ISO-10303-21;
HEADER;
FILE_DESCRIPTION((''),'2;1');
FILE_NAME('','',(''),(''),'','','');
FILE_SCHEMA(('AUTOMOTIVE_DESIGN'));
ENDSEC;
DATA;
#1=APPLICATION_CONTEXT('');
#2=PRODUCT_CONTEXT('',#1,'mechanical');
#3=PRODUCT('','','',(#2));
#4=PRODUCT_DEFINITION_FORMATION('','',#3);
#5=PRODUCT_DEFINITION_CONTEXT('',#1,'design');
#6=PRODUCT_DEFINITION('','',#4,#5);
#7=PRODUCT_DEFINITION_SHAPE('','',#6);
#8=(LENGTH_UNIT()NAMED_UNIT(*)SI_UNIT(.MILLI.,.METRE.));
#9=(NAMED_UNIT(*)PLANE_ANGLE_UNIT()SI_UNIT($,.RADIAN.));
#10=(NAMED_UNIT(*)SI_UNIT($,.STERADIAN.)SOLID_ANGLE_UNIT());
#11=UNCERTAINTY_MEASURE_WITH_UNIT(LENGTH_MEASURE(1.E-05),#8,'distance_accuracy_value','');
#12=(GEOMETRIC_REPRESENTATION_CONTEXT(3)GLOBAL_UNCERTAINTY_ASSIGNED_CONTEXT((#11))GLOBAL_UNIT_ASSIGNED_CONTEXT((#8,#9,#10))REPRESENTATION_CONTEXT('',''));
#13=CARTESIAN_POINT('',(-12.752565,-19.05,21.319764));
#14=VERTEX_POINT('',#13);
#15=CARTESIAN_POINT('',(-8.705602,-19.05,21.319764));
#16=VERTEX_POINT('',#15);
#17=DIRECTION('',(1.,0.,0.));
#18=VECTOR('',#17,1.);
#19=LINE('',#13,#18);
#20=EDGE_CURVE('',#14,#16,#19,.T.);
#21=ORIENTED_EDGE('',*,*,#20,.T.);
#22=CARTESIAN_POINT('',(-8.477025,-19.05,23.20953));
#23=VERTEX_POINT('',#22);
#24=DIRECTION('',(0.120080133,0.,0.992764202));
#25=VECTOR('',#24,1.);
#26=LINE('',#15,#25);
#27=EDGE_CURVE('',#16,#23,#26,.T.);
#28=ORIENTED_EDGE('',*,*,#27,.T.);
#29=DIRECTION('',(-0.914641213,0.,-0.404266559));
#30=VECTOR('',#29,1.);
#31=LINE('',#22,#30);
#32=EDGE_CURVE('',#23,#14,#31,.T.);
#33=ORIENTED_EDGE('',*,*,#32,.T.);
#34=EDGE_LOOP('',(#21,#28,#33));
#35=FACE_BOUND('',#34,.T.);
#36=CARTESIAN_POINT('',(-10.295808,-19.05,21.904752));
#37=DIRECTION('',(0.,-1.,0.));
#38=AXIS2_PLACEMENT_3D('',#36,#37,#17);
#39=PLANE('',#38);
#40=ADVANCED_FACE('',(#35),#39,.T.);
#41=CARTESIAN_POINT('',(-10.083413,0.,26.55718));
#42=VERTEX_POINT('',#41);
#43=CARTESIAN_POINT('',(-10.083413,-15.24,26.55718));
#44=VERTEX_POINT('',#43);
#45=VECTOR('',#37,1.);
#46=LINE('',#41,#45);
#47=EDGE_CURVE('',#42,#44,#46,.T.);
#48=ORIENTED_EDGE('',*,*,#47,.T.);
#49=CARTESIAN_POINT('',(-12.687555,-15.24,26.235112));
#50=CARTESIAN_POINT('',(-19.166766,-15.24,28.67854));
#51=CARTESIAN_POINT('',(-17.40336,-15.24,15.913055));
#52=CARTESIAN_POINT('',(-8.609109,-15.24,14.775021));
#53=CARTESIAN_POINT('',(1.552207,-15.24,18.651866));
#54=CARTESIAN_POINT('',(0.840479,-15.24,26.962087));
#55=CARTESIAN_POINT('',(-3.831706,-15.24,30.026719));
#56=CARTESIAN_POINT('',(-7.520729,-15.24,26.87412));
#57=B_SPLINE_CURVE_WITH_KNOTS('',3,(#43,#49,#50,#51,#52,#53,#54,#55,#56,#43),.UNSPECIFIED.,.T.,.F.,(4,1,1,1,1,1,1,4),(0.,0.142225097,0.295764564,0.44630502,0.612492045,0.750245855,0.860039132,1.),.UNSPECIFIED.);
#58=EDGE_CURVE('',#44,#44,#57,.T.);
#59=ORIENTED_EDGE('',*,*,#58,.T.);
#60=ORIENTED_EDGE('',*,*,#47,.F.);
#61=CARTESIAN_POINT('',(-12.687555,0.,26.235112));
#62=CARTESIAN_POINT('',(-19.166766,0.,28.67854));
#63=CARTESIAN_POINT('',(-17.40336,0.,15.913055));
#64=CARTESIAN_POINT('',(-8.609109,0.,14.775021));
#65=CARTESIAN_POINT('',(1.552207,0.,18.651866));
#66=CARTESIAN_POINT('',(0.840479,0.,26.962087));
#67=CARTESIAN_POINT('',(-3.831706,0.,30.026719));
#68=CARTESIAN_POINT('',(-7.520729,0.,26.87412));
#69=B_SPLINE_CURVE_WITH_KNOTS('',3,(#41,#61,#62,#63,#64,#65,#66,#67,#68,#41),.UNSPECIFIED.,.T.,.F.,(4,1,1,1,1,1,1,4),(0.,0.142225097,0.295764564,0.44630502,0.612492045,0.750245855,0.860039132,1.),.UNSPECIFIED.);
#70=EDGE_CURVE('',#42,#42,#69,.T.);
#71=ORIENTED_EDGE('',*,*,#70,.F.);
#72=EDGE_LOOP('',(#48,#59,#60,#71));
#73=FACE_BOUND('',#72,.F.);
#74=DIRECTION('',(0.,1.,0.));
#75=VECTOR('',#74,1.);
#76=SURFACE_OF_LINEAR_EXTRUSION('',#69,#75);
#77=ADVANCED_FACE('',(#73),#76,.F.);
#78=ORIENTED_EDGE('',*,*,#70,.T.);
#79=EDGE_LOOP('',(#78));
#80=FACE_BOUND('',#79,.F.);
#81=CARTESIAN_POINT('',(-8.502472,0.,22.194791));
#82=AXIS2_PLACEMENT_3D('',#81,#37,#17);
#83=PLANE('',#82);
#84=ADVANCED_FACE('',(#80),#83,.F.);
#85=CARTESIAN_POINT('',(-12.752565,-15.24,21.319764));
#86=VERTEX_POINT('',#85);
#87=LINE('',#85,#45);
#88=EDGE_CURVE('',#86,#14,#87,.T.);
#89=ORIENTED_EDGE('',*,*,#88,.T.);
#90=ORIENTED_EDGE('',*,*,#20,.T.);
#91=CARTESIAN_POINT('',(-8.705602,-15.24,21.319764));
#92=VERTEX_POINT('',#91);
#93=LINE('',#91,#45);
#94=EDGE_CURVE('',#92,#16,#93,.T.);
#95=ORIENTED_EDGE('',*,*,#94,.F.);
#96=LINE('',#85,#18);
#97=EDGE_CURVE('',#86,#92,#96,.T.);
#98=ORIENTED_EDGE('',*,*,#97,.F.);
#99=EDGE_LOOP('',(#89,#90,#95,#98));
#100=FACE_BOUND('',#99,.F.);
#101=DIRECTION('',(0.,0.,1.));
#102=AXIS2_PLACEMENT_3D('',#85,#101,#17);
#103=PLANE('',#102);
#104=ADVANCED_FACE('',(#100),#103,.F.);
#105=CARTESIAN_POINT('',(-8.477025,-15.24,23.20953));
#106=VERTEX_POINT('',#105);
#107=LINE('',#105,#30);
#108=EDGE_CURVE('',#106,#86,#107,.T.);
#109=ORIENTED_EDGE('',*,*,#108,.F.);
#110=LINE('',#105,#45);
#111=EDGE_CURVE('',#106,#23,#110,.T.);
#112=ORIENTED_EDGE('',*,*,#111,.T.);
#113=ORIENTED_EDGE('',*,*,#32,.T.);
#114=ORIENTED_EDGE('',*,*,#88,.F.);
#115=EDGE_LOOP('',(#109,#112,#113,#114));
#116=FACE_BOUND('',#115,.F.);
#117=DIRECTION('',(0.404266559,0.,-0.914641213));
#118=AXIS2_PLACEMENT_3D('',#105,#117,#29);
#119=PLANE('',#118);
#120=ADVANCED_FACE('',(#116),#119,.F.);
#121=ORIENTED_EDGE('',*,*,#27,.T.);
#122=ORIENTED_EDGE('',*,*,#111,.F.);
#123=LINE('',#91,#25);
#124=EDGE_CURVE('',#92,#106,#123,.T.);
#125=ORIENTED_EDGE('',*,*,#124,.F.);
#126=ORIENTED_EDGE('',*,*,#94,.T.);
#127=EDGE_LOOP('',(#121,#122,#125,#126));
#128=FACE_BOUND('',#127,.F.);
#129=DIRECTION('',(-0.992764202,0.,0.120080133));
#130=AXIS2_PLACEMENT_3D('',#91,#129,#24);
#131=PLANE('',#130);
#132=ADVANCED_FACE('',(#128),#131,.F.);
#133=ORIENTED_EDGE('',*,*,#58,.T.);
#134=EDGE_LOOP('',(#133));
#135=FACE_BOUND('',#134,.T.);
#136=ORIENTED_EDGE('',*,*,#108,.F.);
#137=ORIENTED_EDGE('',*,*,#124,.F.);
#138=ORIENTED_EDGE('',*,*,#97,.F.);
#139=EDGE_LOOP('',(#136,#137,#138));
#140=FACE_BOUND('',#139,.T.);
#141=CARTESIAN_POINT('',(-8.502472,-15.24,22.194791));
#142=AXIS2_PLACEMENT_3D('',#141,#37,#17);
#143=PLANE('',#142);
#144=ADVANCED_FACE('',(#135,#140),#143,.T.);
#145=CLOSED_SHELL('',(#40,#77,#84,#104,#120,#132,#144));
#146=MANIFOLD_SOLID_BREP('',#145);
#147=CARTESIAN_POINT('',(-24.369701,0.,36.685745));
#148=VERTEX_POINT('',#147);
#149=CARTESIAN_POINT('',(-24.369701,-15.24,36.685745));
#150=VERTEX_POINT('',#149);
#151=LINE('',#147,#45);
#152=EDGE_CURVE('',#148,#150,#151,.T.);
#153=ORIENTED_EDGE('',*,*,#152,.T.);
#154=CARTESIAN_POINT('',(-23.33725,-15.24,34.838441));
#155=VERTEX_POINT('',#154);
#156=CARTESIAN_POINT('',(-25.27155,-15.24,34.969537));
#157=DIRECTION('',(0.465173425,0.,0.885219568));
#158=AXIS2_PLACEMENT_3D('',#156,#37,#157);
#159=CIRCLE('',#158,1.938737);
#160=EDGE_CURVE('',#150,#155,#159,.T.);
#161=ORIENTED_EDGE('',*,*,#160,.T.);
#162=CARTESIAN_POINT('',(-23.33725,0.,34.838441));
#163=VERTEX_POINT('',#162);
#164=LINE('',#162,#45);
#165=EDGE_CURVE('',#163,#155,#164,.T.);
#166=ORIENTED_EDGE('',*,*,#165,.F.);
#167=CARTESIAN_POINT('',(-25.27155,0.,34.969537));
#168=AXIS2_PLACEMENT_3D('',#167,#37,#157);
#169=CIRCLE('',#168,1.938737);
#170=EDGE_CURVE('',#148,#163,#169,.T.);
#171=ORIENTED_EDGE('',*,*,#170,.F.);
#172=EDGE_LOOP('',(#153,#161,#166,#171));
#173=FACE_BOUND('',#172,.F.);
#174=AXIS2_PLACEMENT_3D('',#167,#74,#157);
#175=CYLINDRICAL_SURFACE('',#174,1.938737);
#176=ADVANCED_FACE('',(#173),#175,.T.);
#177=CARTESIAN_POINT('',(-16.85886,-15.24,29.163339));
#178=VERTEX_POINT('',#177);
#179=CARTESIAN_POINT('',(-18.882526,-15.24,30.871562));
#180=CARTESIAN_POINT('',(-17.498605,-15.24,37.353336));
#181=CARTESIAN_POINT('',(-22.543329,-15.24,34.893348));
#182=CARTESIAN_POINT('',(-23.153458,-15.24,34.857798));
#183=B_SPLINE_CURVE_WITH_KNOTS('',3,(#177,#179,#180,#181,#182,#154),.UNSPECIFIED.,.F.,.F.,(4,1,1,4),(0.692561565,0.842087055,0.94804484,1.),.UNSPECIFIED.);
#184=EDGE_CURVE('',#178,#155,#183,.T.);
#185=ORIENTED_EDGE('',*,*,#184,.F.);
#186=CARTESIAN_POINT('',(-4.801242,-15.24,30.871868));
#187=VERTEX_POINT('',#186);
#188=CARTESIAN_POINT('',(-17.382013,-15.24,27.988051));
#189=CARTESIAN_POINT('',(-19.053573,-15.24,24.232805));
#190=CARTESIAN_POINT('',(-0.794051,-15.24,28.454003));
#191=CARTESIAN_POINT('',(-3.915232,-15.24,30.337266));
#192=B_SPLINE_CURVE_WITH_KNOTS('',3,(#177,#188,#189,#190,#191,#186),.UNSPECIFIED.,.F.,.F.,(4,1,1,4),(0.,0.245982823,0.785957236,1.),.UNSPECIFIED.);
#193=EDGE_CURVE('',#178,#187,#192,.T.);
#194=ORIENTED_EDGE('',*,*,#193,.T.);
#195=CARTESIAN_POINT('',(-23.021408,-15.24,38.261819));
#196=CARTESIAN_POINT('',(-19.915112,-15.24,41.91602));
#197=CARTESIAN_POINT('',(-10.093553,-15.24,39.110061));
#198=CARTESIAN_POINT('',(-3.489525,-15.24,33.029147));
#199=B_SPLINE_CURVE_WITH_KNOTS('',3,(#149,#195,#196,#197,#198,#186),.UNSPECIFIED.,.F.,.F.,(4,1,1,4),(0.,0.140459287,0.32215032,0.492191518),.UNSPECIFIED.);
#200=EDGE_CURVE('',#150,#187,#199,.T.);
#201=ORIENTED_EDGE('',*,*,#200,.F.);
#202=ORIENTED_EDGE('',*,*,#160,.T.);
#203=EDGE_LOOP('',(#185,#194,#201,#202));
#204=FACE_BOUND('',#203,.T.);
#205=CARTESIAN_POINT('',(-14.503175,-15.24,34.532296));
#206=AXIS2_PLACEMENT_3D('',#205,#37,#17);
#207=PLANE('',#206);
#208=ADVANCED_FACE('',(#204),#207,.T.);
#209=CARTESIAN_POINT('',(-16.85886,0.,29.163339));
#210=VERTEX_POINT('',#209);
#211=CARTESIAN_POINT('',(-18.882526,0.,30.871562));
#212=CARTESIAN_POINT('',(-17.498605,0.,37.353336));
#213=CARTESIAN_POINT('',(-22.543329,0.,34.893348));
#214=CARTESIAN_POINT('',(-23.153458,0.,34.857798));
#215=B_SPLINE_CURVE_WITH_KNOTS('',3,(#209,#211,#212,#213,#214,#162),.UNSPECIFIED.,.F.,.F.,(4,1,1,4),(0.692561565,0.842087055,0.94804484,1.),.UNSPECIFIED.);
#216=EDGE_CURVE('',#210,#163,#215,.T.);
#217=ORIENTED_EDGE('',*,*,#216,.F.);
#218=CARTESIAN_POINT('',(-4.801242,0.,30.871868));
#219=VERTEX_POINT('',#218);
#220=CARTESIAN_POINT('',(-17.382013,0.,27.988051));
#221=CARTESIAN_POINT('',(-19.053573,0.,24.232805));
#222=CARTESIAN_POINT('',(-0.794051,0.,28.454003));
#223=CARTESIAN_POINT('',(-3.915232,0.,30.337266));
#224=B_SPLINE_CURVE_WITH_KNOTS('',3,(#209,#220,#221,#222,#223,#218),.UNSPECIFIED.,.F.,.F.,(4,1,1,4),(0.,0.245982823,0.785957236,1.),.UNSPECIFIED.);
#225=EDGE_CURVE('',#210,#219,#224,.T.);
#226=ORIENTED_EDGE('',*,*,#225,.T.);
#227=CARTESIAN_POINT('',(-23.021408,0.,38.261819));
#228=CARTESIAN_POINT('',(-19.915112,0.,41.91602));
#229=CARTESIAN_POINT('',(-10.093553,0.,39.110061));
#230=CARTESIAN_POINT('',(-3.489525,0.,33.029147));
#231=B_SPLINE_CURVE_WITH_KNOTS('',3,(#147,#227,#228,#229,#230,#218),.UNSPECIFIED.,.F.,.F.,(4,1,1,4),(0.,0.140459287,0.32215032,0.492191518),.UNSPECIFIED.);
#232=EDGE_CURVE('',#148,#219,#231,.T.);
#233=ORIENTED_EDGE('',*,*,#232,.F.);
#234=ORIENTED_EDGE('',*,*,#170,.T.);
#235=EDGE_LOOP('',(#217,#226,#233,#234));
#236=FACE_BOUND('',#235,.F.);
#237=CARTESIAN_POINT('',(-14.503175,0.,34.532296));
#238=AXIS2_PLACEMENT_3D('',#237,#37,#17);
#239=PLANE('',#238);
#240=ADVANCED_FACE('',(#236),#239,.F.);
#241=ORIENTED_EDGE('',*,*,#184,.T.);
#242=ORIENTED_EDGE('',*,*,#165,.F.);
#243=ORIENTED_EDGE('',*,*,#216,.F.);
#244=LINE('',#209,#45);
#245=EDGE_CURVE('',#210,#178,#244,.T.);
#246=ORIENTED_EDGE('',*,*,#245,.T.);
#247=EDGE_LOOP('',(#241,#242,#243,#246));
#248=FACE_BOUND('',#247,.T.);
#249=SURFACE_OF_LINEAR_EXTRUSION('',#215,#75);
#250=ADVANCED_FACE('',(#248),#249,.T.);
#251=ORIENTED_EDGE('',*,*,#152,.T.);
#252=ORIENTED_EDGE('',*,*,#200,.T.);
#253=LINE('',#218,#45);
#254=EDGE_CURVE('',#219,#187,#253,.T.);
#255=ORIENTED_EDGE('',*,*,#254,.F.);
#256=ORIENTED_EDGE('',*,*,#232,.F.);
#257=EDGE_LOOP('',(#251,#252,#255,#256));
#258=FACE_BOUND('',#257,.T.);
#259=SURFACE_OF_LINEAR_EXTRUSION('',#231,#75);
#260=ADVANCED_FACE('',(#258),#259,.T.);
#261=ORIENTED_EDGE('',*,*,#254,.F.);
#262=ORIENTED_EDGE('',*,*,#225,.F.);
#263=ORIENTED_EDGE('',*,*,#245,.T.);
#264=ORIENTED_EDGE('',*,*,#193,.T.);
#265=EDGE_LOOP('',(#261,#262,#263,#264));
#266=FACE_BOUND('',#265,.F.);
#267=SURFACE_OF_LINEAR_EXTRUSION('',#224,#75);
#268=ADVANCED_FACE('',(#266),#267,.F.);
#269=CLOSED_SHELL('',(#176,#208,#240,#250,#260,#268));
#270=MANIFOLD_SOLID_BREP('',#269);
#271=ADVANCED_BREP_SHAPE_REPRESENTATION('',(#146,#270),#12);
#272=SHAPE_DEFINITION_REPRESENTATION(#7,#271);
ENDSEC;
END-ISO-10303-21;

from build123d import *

# Parameters (mm, degrees)
F2_DEPTH = 25.4
F4_DEPTH = 6.35
F5_SCALE = 0.6


with BuildPart() as f2:
    # F0 (on Front) → F2 (new body)
    with BuildSketch(Plane.XZ):
        with BuildLine():
            ThreePointArc((-40.6161682943, 61.1429078759), (-39.3536002934, 59.953494838), (-38.888021679, 58.2825616002))
            ThreePointArc((-38.888021679, 58.2825616002), (-38.8898711122, 58.1732525853), (-38.8954172949, 58.0640686992))
            add(Edge.make_bspline(
                [(-28.0981007963, 48.6055649817), (-31.4708764934, 51.4526031333), (-29.1643410656, 62.2555594143), (-37.5722154962, 58.1555795781), (-38.5890968165, 58.0963298921), (-38.8954172949, 58.0640686992)],
                knots=[0.6925615651, 0.6925615651, 0.6925615651, 0.6925615651, 0.8420870555, 0.9480448397, 1, 1, 1, 1], degree=3))
            add(Edge.make_bspline(
                [(-8.0020697787, 51.4531135559), (-10.5781980993, 47.2163556642), (-23.5784485007, 44.7904217072), (-28.0981007963, 48.6055649817)],
                knots=[0.4921915179, 0.4921915179, 0.4921915179, 0.4921915179, 0.6925615651, 0.6925615651, 0.6925615651, 0.6925615651], degree=3))
            add(Edge.make_bspline(
                [(-40.6161682943, 61.1429078759), (-38.3690135462, 63.769698169), (-33.1918541128, 69.8600339633), (-16.8225880057, 65.1834350976), (-5.8158750321, 55.0485780256), (-8.0020697787, 51.4531135559)],
                knots=[0, 0, 0, 0, 0.1404592869, 0.3221503203, 0.4921915179, 0.4921915179, 0.4921915179, 0.4921915179], degree=3))
        make_face()
        with BuildLine():
            ThreePointArc((-38.8954172949, 58.0640686992), (-38.8898711122, 58.1732525853), (-38.888021679, 58.2825616002))
            ThreePointArc((-38.888021679, 58.2825616002), (-39.3536002934, 59.953494838), (-40.6161682943, 61.1429078759))
            ThreePointArc((-40.6161682943, 61.1429078759), (-44.9398420541, 56.7061437261), (-38.8954172949, 58.0640686992))
        make_face()
        with BuildLine():
            add(Edge.make_bspline(
                [(-28.0981007963, 48.6055649817), (-28.9700208373, 46.6467519381), (-31.7559546536, 40.3880088861), (-1.3234175051, 47.4233382463), (-6.5253872608, 50.5621106249), (-8.0020697787, 51.4531135559)],
                knots=[0, 0, 0, 0, 0.2459828233, 0.7859572363, 1, 1, 1, 1], degree=3))
            add(Edge.make_bspline(
                [(-8.0020697787, 51.4531135559), (-10.5781980993, 47.2163556642), (-23.5784485007, 44.7904217072), (-28.0981007963, 48.6055649817)],
                knots=[0.4921915179, 0.4921915179, 0.4921915179, 0.4921915179, 0.6925615651, 0.6925615651, 0.6925615651, 0.6925615651], degree=3))
        make_face()
    extrude(amount=F2_DEPTH)


with BuildPart() as f2b:
    # F1 (on Front) → F2, piece 2 (new body)
    with BuildSketch(Plane.XZ):
        with BuildLine():
            add(Edge.make_bspline(
                [(-16.8056879193, 44.2619659007), (-21.1459246801, 43.7251862289), (-31.9446094829, 47.797566174), (-29.0055995645, 26.5217580803), (-14.3485152115, 24.6250354788), (2.5870116852, 31.0864439531), (1.4007985818, 44.9368109993), (-6.3861769921, 50.0445317506), (-12.5345478863, 44.7902000204), (-16.8056879193, 44.2619659007)],
                knots=[0, 0, 0, 0, 0.142225097, 0.2957645636, 0.4463050197, 0.6124920448, 0.7502458549, 0.8600391318, 1, 1, 1, 1], degree=3))
        make_face()
    extrude(amount=F2_DEPTH)

    # F3 (on face) → F4 (join)
    with BuildSketch(Plane.XZ.offset(25.4)):
        Polygon((-14.5093370229, 35.5329401791), (-14.1283748671, 38.6825501919), (-21.2542749941, 35.5329401791), align=None)
    extrude(amount=F4_DEPTH)


with BuildPart() as f2b_1:
    # F5: moved
    add(f2b.part.scale(F5_SCALE))


with BuildPart() as f2_1:
    # F5: moved
    add(f2.part.scale(F5_SCALE))


solid = Compound([f2b_1.part, f2_1.part])
